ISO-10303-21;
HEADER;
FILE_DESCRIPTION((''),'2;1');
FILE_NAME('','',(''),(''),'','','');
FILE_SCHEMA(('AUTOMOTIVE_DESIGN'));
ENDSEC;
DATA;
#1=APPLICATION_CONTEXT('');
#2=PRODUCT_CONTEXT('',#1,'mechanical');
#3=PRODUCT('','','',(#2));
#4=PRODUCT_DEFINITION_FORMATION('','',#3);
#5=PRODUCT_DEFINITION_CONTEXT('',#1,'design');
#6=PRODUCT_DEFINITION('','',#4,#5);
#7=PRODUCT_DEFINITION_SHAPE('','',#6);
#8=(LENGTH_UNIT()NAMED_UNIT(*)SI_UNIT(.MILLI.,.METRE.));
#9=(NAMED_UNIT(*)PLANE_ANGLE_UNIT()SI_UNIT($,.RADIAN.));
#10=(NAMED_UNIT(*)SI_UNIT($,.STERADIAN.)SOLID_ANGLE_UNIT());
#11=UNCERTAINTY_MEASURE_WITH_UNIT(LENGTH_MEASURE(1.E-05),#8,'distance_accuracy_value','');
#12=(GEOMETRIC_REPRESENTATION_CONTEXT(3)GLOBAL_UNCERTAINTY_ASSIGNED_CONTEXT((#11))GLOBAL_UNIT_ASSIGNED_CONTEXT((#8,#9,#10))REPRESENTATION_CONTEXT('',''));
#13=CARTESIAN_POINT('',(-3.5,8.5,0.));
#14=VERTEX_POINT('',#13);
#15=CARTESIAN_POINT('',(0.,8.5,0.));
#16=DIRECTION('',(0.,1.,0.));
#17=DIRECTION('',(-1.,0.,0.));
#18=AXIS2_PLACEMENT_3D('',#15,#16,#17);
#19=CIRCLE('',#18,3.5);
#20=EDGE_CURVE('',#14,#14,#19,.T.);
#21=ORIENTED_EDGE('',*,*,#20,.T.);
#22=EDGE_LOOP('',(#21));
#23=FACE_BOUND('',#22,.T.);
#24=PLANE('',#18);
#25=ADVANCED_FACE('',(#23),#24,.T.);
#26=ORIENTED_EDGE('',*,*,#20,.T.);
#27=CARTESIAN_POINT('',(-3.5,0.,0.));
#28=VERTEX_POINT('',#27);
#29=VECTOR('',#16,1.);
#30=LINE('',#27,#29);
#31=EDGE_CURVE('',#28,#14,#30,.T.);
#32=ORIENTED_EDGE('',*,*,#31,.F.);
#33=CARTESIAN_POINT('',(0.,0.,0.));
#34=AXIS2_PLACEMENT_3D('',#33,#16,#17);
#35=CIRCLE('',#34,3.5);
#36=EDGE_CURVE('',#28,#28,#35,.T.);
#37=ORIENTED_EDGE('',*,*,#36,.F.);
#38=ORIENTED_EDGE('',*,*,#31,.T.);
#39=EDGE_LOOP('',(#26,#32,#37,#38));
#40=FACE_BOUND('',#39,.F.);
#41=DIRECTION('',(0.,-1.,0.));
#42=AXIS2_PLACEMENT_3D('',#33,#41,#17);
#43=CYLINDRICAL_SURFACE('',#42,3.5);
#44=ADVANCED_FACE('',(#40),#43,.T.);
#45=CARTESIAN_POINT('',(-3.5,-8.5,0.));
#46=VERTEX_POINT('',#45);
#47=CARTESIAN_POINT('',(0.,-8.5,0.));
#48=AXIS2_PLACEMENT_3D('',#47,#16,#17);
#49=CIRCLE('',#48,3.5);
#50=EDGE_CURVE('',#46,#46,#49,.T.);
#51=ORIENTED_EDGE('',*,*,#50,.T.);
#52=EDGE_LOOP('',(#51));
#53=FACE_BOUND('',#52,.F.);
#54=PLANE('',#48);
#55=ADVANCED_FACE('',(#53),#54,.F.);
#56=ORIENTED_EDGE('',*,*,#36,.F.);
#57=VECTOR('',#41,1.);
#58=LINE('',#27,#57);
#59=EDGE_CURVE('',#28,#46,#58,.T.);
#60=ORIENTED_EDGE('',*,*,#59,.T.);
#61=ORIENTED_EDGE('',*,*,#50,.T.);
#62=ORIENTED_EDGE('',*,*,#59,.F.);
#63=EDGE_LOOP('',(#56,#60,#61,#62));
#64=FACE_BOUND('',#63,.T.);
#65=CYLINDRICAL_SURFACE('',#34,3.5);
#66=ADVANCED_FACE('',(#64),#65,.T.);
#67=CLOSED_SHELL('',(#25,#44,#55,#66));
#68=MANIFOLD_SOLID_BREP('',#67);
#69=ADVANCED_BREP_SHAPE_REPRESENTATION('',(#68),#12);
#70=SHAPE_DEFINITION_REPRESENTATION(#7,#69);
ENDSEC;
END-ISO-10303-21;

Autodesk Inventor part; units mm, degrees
ref_plane "YZ Plane" through (0, 0, 0) normal (1, 0, 0) x (0, 1, 0)
ref_plane "XZ Plane" through (0, 0, 0) normal (0, 1, 0) x (-1, 0, 0)
ref_plane "XY Plane" through (0, 0, 0) normal (0, 0, 1) x (1, 0, 0)
sketch "Эскиз1" plane through (0, 0, 0) normal (0, 1, 0) x (-1, 0, 0)
  circle A0 centre (0, 0) radius 3.5
  dimension "d0" = 7
extrude "Выдавливание1" add sketch "Эскиз1" along normal mid plane 17
properties part number "74. Ролик вала"
